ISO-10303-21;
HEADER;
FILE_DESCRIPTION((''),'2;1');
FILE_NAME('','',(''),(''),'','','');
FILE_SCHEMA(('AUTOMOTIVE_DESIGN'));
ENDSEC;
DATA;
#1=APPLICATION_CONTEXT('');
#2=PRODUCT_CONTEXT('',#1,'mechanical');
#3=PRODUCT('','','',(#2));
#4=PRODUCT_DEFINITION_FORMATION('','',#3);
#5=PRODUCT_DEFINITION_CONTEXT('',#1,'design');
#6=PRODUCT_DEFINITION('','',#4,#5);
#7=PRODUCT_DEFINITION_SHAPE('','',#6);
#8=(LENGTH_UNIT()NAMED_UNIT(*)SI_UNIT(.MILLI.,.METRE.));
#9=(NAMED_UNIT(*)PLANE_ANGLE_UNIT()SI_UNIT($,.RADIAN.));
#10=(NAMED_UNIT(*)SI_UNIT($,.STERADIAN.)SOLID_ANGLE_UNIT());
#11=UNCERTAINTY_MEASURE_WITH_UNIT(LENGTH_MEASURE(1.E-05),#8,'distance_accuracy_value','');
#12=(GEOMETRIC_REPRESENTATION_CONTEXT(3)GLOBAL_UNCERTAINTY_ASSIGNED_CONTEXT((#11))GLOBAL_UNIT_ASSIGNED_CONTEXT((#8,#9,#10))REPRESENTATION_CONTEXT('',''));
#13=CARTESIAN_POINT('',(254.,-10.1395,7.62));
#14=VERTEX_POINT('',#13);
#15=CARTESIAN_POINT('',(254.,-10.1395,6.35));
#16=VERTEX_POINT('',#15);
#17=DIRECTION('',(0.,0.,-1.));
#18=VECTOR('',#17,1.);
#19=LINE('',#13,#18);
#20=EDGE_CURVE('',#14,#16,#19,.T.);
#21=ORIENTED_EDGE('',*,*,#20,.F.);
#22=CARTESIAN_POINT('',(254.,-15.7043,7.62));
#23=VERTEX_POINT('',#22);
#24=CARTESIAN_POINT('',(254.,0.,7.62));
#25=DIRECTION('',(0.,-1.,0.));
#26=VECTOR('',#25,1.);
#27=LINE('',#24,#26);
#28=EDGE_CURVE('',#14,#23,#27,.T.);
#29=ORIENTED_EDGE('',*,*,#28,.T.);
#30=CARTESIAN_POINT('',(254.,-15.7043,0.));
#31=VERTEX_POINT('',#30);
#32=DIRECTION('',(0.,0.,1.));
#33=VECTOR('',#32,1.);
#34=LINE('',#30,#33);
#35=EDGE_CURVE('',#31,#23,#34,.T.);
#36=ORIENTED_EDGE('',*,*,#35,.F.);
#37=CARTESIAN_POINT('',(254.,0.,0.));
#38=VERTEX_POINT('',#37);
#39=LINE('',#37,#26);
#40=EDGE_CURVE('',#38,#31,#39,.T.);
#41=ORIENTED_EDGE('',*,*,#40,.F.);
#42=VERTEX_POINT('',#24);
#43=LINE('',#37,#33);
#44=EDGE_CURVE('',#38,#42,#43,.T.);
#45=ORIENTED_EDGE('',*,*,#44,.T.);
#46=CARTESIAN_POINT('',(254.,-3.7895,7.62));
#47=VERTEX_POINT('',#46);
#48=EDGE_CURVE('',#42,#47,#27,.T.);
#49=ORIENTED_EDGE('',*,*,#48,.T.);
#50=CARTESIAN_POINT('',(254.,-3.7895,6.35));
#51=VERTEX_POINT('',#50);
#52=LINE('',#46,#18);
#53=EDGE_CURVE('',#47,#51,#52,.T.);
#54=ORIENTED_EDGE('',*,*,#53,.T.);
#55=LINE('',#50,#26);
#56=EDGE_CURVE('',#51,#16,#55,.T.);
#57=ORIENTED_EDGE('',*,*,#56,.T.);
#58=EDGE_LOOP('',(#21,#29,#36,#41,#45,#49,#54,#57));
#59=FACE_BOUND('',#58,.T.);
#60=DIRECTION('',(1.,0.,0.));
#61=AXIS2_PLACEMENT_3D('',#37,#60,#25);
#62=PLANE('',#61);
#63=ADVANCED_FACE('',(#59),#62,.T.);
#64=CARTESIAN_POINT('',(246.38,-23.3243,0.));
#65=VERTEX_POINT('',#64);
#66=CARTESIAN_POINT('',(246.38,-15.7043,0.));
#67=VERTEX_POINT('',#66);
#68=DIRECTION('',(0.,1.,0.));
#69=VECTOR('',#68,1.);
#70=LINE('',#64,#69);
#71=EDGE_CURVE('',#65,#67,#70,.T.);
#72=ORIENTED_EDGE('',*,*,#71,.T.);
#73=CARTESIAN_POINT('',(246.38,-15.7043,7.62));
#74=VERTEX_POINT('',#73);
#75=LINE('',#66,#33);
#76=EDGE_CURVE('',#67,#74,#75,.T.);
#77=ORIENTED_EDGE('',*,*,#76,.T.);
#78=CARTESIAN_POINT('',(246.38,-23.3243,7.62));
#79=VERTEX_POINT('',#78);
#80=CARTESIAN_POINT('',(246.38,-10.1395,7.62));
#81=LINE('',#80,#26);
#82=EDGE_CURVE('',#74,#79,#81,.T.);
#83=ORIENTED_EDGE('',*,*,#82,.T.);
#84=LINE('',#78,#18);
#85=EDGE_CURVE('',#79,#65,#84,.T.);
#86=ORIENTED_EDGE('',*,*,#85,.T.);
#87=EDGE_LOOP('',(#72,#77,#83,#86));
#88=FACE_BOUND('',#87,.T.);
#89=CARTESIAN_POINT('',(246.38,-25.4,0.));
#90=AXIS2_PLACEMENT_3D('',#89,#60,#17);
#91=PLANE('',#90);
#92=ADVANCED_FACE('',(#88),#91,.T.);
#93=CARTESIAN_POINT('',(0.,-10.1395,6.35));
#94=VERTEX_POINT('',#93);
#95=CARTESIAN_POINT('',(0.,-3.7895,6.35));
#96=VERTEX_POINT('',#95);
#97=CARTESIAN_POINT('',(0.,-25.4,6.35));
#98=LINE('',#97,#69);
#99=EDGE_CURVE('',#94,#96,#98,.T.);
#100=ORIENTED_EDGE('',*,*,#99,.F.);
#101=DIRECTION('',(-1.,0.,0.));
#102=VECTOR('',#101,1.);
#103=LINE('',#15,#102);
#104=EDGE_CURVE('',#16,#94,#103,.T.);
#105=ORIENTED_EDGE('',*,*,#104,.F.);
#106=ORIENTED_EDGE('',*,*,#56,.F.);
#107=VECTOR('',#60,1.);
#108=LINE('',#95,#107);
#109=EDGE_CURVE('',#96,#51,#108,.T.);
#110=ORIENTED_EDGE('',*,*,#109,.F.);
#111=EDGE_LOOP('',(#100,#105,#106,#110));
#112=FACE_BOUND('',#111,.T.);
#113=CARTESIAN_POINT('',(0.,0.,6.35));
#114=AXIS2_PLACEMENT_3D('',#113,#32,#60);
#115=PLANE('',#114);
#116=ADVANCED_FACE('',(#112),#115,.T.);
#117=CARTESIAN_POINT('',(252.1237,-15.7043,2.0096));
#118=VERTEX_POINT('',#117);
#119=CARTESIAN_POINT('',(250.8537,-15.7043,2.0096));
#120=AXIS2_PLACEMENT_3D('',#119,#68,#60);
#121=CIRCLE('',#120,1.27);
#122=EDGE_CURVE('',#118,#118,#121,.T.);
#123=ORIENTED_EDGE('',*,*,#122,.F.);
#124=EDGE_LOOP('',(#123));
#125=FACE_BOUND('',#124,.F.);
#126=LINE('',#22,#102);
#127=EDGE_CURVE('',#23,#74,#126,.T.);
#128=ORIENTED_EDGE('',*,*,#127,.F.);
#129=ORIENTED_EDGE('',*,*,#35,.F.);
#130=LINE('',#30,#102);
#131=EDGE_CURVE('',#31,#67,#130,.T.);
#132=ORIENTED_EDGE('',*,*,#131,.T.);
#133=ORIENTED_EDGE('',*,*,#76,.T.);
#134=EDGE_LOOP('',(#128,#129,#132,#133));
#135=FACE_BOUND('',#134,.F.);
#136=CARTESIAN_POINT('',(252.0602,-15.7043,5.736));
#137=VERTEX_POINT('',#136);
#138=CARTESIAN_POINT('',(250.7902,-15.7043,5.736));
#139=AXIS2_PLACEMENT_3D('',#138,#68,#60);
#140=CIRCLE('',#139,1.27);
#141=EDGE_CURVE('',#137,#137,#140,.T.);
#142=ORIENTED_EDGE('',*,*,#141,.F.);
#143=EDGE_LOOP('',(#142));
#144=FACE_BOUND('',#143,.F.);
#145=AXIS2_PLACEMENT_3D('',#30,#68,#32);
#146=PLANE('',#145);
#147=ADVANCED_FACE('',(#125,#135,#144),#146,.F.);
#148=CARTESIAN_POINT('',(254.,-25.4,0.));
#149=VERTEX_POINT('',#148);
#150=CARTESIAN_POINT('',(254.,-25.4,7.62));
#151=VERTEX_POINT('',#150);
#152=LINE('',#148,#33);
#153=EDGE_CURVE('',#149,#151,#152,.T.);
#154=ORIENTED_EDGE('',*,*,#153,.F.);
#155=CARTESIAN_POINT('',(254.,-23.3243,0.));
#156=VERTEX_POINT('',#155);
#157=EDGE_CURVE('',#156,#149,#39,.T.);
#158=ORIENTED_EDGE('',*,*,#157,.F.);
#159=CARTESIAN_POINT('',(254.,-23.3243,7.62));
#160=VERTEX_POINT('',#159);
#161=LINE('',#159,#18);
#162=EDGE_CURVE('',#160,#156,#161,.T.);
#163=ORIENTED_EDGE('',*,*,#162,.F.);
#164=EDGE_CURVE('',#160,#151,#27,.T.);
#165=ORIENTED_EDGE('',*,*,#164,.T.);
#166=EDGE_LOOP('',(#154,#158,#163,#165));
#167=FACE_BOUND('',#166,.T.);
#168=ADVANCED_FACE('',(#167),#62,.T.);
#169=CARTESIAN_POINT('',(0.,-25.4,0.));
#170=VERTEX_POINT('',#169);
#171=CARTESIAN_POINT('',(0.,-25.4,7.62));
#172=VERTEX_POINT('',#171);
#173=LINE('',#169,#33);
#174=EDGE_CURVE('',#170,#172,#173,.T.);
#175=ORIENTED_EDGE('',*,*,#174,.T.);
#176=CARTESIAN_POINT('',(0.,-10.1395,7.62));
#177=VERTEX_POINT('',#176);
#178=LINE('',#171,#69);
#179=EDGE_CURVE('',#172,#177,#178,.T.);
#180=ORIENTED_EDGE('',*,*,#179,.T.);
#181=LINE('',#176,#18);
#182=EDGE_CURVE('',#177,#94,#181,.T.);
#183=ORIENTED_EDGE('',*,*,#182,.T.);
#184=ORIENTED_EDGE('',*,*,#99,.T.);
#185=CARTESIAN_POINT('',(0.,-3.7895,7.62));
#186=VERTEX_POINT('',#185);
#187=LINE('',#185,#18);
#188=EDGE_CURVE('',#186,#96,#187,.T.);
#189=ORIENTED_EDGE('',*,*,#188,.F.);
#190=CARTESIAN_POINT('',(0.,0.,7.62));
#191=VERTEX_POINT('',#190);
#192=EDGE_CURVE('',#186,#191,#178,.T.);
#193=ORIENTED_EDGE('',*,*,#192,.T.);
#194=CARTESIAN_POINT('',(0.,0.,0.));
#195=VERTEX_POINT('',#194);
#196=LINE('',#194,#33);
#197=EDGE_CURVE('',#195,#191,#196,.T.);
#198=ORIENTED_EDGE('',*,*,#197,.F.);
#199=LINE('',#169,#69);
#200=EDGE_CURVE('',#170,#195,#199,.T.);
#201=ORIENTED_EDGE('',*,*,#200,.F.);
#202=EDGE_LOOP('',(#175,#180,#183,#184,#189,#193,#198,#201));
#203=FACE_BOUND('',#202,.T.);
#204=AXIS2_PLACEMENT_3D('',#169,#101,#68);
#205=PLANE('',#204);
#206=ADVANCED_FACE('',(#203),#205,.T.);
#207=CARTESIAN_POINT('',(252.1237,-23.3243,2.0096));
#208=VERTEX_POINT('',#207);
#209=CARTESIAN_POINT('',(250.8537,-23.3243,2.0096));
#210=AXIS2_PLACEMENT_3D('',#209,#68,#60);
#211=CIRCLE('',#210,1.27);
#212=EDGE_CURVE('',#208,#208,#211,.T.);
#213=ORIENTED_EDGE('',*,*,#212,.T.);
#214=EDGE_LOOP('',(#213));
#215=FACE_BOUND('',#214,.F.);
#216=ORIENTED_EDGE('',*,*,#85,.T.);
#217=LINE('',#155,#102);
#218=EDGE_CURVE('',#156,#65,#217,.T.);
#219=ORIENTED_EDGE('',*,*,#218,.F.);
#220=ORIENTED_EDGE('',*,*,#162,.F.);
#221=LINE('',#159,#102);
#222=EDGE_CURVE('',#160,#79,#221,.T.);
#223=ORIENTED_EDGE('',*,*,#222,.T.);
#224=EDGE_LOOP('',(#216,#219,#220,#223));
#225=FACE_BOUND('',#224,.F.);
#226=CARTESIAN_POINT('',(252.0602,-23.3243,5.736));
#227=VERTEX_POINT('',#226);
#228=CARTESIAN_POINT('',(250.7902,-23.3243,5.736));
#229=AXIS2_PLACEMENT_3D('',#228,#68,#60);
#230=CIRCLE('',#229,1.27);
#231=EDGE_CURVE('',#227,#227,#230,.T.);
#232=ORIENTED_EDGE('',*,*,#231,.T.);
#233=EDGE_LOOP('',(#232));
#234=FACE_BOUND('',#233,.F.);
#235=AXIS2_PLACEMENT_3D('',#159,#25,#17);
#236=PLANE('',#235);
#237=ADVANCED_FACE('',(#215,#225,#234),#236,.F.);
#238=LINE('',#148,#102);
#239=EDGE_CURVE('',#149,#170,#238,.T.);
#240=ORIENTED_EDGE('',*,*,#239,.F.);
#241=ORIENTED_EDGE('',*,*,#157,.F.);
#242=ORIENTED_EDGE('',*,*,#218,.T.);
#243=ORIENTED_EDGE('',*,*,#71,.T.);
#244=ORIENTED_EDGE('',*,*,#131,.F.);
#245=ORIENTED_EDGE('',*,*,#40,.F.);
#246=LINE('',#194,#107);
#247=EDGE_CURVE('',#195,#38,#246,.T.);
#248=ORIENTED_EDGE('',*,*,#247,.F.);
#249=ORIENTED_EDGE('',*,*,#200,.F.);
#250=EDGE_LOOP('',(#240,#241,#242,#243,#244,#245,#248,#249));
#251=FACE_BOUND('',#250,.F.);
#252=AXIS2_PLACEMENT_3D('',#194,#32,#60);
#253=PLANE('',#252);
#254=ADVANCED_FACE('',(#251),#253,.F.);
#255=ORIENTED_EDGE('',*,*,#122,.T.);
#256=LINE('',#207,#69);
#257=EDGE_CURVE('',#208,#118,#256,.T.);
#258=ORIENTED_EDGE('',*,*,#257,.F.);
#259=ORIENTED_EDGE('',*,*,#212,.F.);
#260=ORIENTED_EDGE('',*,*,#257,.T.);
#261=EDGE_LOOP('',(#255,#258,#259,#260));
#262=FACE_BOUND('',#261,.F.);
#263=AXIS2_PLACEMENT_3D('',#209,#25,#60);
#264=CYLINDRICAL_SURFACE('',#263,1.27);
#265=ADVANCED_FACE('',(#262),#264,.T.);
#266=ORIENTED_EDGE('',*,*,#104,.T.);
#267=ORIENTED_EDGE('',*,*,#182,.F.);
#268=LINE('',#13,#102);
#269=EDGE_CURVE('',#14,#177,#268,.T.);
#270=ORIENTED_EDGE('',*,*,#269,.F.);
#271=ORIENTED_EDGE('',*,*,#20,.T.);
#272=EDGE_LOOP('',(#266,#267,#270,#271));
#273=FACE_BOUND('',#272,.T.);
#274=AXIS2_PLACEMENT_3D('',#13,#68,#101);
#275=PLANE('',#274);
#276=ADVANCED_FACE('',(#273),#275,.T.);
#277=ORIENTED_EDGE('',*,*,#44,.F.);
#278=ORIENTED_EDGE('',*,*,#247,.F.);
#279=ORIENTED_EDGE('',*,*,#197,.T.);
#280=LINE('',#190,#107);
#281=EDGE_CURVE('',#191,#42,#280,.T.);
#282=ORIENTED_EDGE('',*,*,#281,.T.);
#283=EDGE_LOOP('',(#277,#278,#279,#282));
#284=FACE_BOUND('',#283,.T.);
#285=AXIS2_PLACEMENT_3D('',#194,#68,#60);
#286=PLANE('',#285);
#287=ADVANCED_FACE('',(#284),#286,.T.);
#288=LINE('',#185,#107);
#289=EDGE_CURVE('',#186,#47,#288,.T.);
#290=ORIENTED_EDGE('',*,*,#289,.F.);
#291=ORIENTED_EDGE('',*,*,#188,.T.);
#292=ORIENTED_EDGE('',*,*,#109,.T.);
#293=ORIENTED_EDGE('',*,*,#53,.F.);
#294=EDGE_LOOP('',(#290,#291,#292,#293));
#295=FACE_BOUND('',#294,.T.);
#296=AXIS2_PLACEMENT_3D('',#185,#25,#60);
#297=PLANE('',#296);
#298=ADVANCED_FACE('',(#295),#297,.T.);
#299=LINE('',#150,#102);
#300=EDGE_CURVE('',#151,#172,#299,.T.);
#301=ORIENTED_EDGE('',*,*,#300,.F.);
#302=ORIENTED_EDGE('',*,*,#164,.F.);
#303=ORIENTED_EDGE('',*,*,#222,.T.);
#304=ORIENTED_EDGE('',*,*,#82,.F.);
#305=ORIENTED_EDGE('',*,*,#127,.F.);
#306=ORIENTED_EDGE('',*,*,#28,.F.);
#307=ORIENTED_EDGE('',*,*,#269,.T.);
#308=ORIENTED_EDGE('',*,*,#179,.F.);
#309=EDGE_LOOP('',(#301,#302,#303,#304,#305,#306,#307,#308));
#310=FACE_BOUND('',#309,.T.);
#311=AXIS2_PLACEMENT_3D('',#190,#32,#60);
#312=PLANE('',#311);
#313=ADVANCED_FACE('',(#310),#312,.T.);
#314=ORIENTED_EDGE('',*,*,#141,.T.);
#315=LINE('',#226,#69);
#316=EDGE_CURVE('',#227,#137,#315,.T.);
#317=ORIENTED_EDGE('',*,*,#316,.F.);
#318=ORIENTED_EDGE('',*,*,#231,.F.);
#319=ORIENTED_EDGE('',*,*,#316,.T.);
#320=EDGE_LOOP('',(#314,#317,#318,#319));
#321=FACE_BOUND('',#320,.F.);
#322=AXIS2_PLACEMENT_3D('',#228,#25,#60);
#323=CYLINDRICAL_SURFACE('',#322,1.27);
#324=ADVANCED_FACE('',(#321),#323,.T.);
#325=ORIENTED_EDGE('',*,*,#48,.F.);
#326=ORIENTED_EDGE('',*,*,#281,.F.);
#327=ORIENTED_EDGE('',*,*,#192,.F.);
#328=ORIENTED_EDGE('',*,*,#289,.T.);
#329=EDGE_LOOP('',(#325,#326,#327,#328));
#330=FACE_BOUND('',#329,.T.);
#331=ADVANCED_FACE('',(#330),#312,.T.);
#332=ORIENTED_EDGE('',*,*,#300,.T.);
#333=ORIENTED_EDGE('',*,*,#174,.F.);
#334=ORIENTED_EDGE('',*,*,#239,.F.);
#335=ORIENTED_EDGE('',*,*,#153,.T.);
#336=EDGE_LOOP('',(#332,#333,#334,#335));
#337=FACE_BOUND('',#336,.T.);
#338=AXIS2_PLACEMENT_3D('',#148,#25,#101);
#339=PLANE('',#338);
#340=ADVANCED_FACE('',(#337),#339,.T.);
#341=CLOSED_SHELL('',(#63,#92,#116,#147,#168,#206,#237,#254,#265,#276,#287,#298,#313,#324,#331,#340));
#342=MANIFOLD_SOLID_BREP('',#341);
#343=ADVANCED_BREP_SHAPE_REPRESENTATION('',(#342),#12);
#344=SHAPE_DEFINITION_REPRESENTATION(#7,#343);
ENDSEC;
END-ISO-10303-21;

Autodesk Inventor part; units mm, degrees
ref_plane "YZ Plane" through (0, 0, 0) normal (1, 0, 0) x (0, 1, 0)
ref_plane "XZ Plane" through (0, 0, 0) normal (0, 1, 0) x (-1, 0, 0)
ref_plane "XY Plane" through (0, 0, 0) normal (0, 0, 1) x (1, 0, 0)
sketch "Sketch1" plane through (0, 0, 0) normal (0, 0, 1) x (1, 0, 0)
  line L0 (0, 0) -> (254, 0)
  line L1 (254, 0) -> (254, -25.4)
  line L2 (254, -25.4) -> (0, -25.4)
  line L3 (0, -25.4) -> (0, 0)
  dimension "d0" = 254
  dimension "d1" = 25.4
extrude "Extrusion1" add sketch "Sketch1" along normal blind 7.62
sketch "Sketch2" plane through (0, 0, 7.62) normal (0, 0, 1) x (1, 0, 0)
  line L0 (0, -25.4) -> (0, 0) projected
  line L1 (0, -3.7895) -> (254, -3.7895)
  line L2 (254, -3.7895) -> (254, -10.1395)
  line L3 (254, -10.1395) -> (0, -10.1395)
  line L4 (0, -10.1395) -> (0, -3.7895)
  dimension "d4" = 254
  dimension "d5" = 6.35
extrude "Extrusion2" cut sketch "Sketch2" against normal blind 1.27
sketch "Sketch3" plane through (254, -25.4, 0) normal (1, 0, 0) x (0, 0, -1)
  line L0 (-7.62, 15.2605) -> (-7.62, 0) projected
  line L1 (-7.62, 2.0757) -> (0, 2.0757)
  line L2 (0, 2.0757) -> (0, 9.6957)
  line L3 (0, 9.6957) -> (-7.62, 9.6957)
  line L4 (-7.62, 9.6957) -> (-7.62, 2.0757)
  dimension "d8" = 7.62
  dimension "d9" = 7.62
extrude "Extrusion3" cut sketch "Sketch3" against normal blind 7.62
sketch "Sketch4" plane through (254, -23.3243, 7.62) normal (0, 1, 0) x (1, 0, 0)
  circle A0 centre (-3.2098, 1.884) radius 1.27
  circle A1 centre (-3.1463, 5.6104) radius 1.27
  point P0 (-254, 7.62)
extrude "Extrusion4" add sketch "Sketch4" along normal blind 7.62
properties part number "Bar"
